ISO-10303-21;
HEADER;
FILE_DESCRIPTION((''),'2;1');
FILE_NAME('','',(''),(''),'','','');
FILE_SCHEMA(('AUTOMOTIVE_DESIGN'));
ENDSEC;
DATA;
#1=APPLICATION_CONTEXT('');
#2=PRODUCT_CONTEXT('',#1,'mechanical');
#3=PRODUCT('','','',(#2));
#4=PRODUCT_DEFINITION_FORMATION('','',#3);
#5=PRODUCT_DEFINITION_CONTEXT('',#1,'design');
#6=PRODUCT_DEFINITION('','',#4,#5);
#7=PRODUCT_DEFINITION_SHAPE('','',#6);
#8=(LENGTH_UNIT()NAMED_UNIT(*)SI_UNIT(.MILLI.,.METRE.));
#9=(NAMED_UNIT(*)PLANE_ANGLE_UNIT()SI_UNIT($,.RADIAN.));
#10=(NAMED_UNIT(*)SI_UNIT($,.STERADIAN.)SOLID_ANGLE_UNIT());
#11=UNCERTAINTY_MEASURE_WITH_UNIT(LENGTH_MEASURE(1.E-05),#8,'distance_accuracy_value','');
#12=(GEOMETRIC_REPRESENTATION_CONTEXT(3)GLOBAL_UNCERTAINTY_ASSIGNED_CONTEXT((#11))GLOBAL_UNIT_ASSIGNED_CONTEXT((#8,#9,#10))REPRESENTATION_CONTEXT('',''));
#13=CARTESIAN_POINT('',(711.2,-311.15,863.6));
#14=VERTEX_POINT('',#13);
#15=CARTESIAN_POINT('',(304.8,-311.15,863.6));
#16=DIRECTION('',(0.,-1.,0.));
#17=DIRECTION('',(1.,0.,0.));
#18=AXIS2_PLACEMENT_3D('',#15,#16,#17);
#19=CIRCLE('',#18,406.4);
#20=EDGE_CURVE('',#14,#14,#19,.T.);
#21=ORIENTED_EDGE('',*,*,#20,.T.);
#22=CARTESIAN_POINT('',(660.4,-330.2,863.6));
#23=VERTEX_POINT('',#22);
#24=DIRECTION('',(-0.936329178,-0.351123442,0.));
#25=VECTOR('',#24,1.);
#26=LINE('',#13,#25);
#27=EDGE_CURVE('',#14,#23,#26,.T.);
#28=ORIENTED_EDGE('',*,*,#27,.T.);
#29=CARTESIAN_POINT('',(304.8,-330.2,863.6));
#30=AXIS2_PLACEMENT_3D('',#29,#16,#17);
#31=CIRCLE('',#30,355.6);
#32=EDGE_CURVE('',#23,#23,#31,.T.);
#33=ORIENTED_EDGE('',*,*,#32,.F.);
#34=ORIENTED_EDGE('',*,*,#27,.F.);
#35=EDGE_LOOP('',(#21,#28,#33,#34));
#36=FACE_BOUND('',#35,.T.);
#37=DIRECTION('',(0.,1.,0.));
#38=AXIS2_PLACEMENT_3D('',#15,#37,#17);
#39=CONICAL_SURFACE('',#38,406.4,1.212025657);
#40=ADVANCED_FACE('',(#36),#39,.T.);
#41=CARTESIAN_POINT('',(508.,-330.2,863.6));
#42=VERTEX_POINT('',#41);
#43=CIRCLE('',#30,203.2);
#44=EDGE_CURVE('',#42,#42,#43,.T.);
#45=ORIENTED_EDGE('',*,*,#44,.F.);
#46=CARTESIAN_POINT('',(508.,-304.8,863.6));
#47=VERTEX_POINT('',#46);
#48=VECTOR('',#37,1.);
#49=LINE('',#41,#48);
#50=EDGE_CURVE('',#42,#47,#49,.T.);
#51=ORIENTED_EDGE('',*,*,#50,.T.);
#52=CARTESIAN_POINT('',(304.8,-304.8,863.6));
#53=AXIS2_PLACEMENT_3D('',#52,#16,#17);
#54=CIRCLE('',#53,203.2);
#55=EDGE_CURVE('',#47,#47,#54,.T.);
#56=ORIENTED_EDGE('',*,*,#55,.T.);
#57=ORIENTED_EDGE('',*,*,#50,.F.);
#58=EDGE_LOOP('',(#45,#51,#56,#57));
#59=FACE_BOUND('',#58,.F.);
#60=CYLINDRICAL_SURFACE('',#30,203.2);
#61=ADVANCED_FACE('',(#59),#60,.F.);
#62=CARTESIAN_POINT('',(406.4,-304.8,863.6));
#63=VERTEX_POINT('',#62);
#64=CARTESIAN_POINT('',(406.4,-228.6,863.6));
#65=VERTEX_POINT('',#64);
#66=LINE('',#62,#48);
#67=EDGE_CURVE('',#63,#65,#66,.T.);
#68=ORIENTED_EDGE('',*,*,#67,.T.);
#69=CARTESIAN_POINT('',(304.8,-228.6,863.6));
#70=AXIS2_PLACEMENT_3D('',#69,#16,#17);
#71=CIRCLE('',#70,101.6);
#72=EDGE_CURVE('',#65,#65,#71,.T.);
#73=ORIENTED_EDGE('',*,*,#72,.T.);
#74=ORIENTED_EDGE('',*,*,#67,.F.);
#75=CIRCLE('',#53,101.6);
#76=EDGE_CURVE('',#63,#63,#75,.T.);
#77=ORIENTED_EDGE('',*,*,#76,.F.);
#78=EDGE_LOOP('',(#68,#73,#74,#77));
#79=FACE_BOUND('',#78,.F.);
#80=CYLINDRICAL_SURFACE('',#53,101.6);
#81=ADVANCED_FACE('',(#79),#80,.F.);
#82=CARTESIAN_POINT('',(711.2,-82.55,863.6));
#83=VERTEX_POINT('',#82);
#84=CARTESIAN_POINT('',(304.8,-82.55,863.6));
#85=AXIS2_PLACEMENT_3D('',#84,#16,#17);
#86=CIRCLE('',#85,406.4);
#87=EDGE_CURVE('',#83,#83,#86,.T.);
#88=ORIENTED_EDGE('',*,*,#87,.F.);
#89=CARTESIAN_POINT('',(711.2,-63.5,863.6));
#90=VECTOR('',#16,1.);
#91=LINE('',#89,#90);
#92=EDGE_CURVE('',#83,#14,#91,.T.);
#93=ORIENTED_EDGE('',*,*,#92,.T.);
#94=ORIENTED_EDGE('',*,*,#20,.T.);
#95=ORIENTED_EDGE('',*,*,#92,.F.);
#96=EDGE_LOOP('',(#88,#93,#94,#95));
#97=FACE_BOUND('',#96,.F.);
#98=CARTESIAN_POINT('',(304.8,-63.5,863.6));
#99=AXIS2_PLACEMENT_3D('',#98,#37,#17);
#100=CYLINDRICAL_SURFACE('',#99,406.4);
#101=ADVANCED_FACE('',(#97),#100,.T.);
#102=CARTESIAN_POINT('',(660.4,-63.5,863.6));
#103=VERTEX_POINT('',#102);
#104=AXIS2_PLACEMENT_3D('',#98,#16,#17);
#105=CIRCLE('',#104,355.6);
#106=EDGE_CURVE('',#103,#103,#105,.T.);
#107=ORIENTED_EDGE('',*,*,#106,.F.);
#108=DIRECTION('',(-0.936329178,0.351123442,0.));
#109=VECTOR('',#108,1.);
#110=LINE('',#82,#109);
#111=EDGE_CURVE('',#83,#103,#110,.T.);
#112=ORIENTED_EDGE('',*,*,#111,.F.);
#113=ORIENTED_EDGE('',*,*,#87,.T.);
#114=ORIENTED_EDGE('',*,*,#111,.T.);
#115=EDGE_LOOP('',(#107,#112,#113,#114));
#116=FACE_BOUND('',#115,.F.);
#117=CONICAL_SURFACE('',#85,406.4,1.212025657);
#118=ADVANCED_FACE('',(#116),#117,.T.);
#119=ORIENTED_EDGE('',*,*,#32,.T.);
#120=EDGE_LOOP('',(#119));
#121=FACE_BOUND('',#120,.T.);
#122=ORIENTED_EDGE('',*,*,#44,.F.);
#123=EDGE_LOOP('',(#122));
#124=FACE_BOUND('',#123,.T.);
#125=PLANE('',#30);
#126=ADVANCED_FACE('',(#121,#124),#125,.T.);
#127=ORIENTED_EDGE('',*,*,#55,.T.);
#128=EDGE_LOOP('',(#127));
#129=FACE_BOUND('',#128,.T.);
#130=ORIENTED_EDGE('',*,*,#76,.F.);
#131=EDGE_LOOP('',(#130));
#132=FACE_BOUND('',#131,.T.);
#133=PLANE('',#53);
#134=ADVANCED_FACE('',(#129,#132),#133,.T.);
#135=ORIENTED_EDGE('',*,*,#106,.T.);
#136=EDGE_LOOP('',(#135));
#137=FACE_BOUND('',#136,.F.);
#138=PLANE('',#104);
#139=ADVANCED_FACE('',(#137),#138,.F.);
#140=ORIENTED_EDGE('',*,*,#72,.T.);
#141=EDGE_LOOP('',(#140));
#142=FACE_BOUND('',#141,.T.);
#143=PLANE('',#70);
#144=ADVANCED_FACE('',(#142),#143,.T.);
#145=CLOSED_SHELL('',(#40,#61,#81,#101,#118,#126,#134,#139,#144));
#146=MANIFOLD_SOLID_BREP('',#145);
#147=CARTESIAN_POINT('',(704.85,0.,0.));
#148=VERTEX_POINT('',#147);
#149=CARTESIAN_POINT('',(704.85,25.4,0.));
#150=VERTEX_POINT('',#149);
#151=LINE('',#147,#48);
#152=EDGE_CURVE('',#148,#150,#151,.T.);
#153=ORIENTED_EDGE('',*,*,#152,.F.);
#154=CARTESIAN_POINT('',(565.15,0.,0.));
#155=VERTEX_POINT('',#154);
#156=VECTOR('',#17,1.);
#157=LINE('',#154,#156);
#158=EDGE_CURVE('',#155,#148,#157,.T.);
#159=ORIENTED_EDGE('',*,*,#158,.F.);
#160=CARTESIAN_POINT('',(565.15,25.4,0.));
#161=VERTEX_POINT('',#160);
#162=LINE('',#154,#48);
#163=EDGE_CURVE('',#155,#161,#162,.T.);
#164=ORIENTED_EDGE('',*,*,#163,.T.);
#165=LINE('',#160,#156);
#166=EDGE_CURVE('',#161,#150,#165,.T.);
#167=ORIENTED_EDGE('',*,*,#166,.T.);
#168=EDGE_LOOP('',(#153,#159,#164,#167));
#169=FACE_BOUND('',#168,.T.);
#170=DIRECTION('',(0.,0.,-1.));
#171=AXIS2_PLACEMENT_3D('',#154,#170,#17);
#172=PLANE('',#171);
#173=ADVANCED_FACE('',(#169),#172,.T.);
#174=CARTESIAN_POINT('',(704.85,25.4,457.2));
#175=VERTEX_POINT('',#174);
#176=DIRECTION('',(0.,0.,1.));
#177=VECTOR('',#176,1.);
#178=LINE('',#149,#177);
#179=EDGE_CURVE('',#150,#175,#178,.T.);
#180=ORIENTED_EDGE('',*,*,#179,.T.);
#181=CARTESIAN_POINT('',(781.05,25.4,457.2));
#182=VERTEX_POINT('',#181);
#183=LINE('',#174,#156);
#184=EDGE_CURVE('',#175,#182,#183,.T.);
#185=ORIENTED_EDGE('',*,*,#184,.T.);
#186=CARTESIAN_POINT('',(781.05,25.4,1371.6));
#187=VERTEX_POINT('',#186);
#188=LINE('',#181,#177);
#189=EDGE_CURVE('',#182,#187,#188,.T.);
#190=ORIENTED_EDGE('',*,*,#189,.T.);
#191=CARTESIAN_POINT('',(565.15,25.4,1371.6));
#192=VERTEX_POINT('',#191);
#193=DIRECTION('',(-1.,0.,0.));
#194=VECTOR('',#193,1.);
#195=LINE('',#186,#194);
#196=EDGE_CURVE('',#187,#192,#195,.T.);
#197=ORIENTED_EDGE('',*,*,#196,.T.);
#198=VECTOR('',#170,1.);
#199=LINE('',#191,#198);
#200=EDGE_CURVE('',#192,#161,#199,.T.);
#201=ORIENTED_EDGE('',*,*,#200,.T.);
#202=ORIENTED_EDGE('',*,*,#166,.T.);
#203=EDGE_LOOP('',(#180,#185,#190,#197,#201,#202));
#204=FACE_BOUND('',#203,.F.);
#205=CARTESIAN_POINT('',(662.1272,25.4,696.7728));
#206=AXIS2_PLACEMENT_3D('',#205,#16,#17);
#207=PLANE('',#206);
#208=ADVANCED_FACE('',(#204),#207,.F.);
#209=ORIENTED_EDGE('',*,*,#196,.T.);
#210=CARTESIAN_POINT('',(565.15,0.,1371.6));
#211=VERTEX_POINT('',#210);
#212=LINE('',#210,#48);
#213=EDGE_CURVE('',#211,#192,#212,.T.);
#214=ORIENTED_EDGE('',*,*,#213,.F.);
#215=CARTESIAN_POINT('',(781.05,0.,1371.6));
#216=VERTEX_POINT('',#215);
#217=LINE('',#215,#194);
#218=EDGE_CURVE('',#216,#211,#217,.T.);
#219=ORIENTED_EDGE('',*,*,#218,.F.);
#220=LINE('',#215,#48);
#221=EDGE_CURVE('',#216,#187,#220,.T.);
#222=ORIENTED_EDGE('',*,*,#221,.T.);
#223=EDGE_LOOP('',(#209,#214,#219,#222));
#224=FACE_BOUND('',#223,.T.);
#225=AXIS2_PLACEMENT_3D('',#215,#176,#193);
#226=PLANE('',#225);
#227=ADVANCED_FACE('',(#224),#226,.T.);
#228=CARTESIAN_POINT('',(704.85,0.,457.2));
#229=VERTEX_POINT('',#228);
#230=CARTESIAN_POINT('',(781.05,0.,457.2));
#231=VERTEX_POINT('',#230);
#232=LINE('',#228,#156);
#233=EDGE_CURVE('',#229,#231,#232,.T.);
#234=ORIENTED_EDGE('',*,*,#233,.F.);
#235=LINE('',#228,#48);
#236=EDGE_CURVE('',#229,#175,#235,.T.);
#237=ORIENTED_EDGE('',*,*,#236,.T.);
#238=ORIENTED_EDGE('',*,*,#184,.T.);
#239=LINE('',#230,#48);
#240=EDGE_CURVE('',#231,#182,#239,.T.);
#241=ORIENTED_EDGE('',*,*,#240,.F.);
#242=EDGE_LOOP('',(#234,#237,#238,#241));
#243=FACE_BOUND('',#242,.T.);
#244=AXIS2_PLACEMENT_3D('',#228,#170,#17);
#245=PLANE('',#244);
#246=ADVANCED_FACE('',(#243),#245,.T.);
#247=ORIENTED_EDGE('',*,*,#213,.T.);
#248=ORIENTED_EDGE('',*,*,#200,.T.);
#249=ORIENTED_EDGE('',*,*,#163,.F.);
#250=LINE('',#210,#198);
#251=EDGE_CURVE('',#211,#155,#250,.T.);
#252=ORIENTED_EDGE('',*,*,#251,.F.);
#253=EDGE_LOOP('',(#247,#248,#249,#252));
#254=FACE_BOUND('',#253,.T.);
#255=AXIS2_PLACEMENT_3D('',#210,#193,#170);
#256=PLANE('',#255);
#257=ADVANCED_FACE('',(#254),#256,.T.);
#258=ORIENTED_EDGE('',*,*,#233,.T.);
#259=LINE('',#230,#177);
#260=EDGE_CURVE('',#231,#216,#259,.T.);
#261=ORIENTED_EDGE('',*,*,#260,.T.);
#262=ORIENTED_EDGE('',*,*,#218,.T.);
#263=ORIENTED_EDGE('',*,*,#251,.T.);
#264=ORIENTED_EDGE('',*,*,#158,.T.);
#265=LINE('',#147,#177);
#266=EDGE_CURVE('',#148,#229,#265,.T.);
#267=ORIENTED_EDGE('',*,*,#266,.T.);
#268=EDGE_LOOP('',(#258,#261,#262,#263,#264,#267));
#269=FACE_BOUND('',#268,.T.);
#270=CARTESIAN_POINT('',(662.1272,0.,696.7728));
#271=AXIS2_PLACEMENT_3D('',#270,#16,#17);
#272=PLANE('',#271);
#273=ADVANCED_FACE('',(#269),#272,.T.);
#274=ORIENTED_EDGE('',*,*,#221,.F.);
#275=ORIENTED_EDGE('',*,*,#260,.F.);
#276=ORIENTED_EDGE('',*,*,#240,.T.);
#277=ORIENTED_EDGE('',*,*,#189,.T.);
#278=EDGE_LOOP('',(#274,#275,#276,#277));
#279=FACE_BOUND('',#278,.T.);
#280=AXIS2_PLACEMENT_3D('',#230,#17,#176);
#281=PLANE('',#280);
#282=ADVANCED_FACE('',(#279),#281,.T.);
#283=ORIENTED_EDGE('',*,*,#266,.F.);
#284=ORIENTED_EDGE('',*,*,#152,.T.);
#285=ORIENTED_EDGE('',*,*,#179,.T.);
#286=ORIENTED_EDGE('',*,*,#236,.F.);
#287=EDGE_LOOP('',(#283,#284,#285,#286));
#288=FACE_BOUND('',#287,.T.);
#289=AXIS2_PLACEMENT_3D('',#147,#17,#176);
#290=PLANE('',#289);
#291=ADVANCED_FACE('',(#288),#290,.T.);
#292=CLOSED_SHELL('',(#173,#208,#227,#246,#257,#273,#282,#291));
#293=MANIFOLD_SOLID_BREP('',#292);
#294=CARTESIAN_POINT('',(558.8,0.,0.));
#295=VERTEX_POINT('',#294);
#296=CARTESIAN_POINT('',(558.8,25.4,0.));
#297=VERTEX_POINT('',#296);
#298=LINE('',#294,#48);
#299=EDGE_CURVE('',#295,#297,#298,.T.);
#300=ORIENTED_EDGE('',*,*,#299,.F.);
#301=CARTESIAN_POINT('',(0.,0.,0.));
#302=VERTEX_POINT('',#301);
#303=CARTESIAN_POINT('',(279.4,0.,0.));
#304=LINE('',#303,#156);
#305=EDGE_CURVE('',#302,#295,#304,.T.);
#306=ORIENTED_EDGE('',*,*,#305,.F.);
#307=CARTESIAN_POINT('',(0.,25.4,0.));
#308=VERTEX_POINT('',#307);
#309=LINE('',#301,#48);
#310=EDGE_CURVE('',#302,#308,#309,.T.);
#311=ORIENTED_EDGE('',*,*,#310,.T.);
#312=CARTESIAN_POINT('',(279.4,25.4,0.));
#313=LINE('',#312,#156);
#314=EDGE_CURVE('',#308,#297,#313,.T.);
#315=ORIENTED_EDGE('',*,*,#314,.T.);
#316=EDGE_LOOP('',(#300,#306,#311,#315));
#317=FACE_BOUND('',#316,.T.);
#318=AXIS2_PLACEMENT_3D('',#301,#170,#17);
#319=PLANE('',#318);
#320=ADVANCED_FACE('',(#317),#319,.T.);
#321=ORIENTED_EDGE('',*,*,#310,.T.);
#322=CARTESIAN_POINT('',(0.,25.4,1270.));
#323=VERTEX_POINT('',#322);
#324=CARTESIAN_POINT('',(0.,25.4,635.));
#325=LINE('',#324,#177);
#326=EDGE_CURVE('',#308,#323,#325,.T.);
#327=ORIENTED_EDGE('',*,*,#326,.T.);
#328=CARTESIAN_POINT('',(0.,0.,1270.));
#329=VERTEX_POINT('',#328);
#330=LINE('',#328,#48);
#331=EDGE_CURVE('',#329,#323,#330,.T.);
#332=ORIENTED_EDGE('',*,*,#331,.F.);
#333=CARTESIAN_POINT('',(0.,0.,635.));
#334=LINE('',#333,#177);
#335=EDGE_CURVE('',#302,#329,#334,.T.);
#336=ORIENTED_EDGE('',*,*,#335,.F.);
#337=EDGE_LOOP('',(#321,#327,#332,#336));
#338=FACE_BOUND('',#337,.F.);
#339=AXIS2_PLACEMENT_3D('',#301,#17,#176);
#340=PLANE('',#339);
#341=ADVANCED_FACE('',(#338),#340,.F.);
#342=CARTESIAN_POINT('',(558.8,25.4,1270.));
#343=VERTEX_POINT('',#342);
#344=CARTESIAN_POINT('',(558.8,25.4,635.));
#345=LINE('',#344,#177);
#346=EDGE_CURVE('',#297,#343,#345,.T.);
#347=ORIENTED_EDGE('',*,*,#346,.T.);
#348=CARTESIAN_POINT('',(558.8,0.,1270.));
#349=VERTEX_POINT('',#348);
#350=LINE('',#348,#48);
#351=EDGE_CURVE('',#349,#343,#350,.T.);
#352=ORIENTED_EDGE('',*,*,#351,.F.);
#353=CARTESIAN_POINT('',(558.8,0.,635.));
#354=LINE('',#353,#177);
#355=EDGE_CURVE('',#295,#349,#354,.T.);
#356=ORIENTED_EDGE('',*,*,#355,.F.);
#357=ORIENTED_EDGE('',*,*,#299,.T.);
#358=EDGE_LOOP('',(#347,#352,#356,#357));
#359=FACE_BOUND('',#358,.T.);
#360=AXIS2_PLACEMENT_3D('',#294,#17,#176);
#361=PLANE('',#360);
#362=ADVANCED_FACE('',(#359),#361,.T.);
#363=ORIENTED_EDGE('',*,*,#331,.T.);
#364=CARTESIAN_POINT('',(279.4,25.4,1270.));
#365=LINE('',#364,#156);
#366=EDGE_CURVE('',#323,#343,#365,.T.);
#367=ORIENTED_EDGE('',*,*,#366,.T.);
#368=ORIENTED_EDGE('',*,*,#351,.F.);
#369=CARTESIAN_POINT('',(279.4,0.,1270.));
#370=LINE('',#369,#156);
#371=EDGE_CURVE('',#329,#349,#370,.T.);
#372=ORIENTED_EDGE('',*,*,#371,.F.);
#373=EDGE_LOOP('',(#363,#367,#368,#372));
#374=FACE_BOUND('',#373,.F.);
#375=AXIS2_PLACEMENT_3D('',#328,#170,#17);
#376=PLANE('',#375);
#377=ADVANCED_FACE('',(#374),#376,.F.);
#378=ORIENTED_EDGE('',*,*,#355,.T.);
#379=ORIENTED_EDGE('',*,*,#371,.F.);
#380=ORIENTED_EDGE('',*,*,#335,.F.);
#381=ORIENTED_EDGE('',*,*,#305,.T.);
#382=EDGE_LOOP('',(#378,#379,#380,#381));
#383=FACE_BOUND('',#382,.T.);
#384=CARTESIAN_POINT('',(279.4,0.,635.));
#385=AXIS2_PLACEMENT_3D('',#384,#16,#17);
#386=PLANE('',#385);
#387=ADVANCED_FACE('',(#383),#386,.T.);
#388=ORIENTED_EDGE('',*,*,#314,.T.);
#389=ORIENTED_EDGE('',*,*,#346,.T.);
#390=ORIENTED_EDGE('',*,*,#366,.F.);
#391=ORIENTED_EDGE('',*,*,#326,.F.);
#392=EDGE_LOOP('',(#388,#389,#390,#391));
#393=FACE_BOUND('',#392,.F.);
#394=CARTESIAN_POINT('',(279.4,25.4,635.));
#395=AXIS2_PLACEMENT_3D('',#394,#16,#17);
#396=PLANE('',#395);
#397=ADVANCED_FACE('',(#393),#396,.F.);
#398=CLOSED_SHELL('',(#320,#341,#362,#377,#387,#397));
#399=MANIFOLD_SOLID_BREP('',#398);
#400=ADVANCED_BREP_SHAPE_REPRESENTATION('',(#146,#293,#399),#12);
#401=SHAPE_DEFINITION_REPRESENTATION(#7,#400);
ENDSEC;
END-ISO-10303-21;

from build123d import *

# Parameters (mm, degrees)
F0_W     = 558.8
F0_H     = 1270
F1_DEPTH = 25.4
F3_START = 63.5
F2_R     = 406.4
F3_DEPTH = 266.7
F4_SIZE2 = 50.8
F4_SIZE  = 19.05
F5_R     = 203.2
F6_DEPTH = 25.4
F7_R     = 101.6
F8_DEPTH = 76.2


with BuildPart() as f1:
    # F0 (on Front) → F1 (new body)
    with BuildSketch(Plane.XZ):
        with Locations((279.4, 635)):
            Rectangle(F0_W, F0_H)
    extrude(amount=-F1_DEPTH)


with BuildPart() as f1b:
    # F0 (on Front) → F1, piece 2 (new body)
    with BuildSketch(Plane.XZ):
        Polygon((565.15, 1371.6), (565.15, 0), (704.85, 0), (704.85, 457.2), (781.05, 457.2), (781.05, 1371.6), align=None)
    extrude(amount=-F1_DEPTH)


with BuildPart() as f3:
    # F2 (on Front) → F3 (new body)
    with BuildSketch(Plane.XZ.offset(F3_START)):
        with Locations((304.8, 863.6)):
            Circle(F2_R)
    extrude(amount=F3_DEPTH)

    # F4
    f4_edges = [f3.edges().sort_by_distance(p)[0] for p in [
        (-101.6, -330.2, 863.6),
        (-101.6, -63.5, 863.6),
    ]]
    f4_side = f3.faces().sort_by_distance((-101.6, -196.85, 863.6))[0]
    chamfer(f4_edges, length=F4_SIZE, length2=F4_SIZE2, reference=f4_side)

    # F5 (on face) → F6 (cut)
    with BuildSketch(Plane.XZ.offset(330.2)):
        with Locations((304.8, 863.6)):
            Circle(F5_R)
    extrude(amount=-F6_DEPTH, mode=Mode.SUBTRACT)

    # F7 (on face) → F8 (cut)
    with BuildSketch(Plane.XZ.offset(304.8)):
        with Locations((304.8, 863.6)):
            Circle(F7_R)
    extrude(amount=-F8_DEPTH, mode=Mode.SUBTRACT)


solid = Compound([f1.part, f1b.part, f3.part])
